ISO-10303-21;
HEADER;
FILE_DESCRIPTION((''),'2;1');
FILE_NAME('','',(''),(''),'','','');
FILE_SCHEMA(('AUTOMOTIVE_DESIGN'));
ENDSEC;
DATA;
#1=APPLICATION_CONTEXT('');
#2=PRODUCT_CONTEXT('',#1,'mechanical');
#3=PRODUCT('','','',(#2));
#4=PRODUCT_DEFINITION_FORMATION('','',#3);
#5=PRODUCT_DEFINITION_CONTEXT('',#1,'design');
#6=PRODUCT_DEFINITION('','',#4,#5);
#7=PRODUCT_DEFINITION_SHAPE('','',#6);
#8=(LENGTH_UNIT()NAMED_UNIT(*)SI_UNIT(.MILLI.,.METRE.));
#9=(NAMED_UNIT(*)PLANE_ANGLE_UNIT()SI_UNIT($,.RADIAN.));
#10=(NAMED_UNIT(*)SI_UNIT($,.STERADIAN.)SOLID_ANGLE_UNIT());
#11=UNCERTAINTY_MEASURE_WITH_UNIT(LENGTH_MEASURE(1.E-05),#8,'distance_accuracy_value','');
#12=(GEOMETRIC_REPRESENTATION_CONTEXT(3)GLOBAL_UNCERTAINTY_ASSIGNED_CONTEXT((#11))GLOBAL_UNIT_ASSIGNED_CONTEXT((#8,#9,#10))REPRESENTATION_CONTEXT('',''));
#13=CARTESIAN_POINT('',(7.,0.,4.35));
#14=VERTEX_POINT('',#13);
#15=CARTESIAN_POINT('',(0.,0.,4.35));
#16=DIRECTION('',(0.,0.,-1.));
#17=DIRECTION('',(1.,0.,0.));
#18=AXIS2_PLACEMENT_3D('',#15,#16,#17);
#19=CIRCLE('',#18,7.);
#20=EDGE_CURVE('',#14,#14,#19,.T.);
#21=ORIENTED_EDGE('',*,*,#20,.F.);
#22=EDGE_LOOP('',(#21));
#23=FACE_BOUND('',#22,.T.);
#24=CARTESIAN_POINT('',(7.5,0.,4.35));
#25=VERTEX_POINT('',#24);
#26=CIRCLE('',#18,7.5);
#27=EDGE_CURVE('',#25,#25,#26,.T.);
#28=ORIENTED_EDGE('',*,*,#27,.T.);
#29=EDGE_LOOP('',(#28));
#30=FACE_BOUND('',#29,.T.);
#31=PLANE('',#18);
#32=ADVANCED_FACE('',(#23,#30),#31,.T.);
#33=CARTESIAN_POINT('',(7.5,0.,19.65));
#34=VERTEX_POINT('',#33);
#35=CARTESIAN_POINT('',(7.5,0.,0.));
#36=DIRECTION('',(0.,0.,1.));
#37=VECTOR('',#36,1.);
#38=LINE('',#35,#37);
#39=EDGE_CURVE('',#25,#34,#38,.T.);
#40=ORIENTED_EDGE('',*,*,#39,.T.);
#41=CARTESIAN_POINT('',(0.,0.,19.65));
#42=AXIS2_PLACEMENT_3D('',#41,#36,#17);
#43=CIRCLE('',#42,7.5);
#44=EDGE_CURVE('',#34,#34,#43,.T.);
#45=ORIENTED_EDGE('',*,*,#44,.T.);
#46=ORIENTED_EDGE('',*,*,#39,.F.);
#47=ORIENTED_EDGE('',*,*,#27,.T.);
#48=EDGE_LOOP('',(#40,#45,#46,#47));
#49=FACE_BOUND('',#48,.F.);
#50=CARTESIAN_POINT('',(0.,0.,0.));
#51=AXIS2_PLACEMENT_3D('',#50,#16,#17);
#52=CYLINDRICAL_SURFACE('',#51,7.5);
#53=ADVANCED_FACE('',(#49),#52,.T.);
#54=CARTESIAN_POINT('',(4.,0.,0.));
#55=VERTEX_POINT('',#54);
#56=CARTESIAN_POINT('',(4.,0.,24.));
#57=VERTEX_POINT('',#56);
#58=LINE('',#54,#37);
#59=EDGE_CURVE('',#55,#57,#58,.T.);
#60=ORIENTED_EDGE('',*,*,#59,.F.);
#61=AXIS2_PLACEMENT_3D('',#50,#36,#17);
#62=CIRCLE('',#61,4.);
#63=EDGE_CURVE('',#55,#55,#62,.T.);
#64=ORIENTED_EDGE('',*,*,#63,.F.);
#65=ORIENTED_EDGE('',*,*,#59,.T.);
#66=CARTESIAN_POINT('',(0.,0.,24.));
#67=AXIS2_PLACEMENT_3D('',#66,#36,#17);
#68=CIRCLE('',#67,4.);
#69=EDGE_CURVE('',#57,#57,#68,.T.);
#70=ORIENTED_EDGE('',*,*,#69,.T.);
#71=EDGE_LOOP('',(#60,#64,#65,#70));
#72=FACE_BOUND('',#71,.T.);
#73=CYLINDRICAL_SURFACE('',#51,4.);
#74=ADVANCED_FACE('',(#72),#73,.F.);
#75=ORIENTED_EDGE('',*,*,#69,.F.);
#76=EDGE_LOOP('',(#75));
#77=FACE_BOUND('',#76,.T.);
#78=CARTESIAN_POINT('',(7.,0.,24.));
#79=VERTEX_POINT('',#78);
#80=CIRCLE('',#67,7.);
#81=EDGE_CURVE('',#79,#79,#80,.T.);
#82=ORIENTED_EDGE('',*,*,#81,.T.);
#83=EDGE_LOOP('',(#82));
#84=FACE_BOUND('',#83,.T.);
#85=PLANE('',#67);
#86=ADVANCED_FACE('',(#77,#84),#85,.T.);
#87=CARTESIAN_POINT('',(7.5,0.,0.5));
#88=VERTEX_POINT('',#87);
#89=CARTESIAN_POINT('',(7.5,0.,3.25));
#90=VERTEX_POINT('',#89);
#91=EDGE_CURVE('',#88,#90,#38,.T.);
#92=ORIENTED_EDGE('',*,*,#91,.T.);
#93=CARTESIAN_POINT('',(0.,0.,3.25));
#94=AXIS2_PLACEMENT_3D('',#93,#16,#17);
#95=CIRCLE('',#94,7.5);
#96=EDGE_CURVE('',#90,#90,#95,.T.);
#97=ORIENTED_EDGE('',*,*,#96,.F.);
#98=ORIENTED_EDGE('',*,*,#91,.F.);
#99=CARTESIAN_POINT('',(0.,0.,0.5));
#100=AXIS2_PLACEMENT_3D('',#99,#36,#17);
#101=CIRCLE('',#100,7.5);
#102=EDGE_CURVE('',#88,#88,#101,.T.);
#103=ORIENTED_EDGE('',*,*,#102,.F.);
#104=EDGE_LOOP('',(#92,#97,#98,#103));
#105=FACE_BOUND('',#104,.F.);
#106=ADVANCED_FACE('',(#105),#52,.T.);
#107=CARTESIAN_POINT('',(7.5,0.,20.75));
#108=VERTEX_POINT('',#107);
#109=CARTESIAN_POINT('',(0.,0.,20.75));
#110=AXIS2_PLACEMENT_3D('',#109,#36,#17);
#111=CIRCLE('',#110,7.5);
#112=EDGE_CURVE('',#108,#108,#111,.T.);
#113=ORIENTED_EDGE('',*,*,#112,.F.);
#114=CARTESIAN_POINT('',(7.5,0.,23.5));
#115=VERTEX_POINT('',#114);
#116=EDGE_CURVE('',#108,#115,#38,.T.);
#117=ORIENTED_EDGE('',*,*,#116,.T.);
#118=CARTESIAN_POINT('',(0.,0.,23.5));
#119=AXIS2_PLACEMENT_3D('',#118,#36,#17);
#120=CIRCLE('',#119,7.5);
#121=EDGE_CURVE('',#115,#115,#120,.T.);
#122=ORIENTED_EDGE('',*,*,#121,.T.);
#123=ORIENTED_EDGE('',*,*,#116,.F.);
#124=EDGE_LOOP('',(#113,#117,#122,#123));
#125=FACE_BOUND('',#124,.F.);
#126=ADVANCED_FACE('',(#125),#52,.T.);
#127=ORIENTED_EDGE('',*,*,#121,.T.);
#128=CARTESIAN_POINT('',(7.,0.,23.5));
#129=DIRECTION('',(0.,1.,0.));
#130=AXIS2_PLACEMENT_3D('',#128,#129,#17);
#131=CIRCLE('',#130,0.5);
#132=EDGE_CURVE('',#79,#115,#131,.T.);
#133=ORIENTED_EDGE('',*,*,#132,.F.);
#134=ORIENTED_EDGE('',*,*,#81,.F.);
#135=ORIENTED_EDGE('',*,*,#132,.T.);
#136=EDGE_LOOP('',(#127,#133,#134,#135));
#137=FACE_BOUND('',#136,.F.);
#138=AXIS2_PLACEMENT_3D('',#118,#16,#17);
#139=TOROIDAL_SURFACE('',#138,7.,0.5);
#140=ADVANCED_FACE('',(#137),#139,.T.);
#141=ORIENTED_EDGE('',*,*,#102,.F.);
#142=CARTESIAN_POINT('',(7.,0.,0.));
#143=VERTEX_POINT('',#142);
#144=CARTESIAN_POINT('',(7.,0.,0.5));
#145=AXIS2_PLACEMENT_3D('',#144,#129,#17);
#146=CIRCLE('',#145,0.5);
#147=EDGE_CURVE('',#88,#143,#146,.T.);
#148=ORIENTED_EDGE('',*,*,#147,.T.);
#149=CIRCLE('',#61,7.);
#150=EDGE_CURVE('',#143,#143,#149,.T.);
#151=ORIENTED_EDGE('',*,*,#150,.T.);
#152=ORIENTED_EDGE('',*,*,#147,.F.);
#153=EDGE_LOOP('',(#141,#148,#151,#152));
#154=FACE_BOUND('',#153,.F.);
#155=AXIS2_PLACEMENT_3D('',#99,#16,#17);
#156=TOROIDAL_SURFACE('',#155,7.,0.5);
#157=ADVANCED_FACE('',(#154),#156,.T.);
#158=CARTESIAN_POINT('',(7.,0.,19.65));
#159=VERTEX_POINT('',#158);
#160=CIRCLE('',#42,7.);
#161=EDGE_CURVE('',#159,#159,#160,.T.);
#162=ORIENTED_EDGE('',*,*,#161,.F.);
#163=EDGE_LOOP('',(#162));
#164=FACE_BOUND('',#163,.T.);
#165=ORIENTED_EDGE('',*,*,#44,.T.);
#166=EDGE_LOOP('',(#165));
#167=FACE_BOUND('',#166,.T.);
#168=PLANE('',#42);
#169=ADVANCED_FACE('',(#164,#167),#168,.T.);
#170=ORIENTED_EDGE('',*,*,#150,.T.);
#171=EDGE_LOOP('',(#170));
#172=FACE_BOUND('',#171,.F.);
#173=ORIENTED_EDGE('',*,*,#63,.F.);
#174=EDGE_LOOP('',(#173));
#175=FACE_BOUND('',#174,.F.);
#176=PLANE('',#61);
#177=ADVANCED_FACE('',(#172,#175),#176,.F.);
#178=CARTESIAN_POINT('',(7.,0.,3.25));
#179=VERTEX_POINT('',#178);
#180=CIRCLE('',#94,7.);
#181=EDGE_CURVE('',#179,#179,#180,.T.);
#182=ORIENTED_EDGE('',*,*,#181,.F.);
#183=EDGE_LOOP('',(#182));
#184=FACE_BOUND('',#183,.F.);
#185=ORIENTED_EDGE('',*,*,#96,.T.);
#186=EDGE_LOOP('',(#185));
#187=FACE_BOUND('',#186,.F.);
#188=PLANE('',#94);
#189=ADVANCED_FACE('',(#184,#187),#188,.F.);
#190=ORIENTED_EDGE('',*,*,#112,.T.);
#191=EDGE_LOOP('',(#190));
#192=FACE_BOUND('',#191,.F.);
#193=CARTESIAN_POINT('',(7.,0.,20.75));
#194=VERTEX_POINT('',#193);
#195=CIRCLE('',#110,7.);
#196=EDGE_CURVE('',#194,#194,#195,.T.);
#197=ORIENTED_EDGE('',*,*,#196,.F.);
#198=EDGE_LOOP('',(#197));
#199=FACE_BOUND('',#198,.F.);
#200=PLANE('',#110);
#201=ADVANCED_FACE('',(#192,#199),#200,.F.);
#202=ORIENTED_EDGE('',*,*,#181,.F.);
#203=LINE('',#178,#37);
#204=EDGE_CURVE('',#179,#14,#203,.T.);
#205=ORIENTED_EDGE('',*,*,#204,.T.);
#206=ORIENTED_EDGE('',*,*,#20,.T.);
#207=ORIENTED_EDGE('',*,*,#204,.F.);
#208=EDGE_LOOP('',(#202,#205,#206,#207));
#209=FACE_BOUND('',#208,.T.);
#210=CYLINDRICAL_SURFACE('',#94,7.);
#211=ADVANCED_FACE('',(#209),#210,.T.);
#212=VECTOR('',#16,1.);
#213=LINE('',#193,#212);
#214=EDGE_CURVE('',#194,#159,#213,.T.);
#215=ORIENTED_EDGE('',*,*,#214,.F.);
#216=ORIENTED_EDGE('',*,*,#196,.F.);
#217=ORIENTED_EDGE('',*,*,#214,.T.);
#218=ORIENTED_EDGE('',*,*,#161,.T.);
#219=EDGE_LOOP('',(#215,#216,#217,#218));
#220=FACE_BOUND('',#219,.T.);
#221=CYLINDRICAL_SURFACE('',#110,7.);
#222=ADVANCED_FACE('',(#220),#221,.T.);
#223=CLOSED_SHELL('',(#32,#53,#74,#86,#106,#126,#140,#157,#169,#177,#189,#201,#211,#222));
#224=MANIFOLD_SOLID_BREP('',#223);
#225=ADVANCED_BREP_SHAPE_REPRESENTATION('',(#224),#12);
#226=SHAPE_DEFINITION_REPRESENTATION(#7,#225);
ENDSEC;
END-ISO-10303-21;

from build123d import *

# Parameters (mm, degrees)
F0_R     = 7.5
F0_R_2   = 4
F1_DEPTH = 24
F4_R     = 7.5
F4_R_2   = 7
F5_DEPTH = 1.1
F6_R     = 7.5
F6_R_2   = 7
F7_DEPTH = 1.1
F8_R     = 0.5


with BuildPart() as f1:
    # F0 (on Top) → F1 (new body)
    with BuildSketch(Plane.XY):
        Circle(F0_R)
        Circle(F0_R_2, mode=Mode.SUBTRACT)
    extrude(amount=F1_DEPTH)

    # F4 (on offset) → F5 (cut)
    with BuildSketch(Plane(origin=(0, 0, 3.25), x_dir=(1, 0, 0), z_dir=(0, 0, -1))):
        Circle(F4_R)
        Circle(F4_R_2, mode=Mode.SUBTRACT)
    extrude(amount=-F5_DEPTH, mode=Mode.SUBTRACT)

    # F6 (on offset) → F7 (cut)
    with BuildSketch(Plane.XY.offset(20.75)):
        Circle(F6_R)
        Circle(F6_R_2, mode=Mode.SUBTRACT)
    extrude(amount=-F7_DEPTH, mode=Mode.SUBTRACT)

    # F8
    f8_edges = [f1.edges().sort_by_distance(p)[0] for p in [
        (-7.5, 0, 24),
        (-7.5, 0, 0),
    ]]
    fillet(f8_edges, radius=F8_R)


solid = f1.part
